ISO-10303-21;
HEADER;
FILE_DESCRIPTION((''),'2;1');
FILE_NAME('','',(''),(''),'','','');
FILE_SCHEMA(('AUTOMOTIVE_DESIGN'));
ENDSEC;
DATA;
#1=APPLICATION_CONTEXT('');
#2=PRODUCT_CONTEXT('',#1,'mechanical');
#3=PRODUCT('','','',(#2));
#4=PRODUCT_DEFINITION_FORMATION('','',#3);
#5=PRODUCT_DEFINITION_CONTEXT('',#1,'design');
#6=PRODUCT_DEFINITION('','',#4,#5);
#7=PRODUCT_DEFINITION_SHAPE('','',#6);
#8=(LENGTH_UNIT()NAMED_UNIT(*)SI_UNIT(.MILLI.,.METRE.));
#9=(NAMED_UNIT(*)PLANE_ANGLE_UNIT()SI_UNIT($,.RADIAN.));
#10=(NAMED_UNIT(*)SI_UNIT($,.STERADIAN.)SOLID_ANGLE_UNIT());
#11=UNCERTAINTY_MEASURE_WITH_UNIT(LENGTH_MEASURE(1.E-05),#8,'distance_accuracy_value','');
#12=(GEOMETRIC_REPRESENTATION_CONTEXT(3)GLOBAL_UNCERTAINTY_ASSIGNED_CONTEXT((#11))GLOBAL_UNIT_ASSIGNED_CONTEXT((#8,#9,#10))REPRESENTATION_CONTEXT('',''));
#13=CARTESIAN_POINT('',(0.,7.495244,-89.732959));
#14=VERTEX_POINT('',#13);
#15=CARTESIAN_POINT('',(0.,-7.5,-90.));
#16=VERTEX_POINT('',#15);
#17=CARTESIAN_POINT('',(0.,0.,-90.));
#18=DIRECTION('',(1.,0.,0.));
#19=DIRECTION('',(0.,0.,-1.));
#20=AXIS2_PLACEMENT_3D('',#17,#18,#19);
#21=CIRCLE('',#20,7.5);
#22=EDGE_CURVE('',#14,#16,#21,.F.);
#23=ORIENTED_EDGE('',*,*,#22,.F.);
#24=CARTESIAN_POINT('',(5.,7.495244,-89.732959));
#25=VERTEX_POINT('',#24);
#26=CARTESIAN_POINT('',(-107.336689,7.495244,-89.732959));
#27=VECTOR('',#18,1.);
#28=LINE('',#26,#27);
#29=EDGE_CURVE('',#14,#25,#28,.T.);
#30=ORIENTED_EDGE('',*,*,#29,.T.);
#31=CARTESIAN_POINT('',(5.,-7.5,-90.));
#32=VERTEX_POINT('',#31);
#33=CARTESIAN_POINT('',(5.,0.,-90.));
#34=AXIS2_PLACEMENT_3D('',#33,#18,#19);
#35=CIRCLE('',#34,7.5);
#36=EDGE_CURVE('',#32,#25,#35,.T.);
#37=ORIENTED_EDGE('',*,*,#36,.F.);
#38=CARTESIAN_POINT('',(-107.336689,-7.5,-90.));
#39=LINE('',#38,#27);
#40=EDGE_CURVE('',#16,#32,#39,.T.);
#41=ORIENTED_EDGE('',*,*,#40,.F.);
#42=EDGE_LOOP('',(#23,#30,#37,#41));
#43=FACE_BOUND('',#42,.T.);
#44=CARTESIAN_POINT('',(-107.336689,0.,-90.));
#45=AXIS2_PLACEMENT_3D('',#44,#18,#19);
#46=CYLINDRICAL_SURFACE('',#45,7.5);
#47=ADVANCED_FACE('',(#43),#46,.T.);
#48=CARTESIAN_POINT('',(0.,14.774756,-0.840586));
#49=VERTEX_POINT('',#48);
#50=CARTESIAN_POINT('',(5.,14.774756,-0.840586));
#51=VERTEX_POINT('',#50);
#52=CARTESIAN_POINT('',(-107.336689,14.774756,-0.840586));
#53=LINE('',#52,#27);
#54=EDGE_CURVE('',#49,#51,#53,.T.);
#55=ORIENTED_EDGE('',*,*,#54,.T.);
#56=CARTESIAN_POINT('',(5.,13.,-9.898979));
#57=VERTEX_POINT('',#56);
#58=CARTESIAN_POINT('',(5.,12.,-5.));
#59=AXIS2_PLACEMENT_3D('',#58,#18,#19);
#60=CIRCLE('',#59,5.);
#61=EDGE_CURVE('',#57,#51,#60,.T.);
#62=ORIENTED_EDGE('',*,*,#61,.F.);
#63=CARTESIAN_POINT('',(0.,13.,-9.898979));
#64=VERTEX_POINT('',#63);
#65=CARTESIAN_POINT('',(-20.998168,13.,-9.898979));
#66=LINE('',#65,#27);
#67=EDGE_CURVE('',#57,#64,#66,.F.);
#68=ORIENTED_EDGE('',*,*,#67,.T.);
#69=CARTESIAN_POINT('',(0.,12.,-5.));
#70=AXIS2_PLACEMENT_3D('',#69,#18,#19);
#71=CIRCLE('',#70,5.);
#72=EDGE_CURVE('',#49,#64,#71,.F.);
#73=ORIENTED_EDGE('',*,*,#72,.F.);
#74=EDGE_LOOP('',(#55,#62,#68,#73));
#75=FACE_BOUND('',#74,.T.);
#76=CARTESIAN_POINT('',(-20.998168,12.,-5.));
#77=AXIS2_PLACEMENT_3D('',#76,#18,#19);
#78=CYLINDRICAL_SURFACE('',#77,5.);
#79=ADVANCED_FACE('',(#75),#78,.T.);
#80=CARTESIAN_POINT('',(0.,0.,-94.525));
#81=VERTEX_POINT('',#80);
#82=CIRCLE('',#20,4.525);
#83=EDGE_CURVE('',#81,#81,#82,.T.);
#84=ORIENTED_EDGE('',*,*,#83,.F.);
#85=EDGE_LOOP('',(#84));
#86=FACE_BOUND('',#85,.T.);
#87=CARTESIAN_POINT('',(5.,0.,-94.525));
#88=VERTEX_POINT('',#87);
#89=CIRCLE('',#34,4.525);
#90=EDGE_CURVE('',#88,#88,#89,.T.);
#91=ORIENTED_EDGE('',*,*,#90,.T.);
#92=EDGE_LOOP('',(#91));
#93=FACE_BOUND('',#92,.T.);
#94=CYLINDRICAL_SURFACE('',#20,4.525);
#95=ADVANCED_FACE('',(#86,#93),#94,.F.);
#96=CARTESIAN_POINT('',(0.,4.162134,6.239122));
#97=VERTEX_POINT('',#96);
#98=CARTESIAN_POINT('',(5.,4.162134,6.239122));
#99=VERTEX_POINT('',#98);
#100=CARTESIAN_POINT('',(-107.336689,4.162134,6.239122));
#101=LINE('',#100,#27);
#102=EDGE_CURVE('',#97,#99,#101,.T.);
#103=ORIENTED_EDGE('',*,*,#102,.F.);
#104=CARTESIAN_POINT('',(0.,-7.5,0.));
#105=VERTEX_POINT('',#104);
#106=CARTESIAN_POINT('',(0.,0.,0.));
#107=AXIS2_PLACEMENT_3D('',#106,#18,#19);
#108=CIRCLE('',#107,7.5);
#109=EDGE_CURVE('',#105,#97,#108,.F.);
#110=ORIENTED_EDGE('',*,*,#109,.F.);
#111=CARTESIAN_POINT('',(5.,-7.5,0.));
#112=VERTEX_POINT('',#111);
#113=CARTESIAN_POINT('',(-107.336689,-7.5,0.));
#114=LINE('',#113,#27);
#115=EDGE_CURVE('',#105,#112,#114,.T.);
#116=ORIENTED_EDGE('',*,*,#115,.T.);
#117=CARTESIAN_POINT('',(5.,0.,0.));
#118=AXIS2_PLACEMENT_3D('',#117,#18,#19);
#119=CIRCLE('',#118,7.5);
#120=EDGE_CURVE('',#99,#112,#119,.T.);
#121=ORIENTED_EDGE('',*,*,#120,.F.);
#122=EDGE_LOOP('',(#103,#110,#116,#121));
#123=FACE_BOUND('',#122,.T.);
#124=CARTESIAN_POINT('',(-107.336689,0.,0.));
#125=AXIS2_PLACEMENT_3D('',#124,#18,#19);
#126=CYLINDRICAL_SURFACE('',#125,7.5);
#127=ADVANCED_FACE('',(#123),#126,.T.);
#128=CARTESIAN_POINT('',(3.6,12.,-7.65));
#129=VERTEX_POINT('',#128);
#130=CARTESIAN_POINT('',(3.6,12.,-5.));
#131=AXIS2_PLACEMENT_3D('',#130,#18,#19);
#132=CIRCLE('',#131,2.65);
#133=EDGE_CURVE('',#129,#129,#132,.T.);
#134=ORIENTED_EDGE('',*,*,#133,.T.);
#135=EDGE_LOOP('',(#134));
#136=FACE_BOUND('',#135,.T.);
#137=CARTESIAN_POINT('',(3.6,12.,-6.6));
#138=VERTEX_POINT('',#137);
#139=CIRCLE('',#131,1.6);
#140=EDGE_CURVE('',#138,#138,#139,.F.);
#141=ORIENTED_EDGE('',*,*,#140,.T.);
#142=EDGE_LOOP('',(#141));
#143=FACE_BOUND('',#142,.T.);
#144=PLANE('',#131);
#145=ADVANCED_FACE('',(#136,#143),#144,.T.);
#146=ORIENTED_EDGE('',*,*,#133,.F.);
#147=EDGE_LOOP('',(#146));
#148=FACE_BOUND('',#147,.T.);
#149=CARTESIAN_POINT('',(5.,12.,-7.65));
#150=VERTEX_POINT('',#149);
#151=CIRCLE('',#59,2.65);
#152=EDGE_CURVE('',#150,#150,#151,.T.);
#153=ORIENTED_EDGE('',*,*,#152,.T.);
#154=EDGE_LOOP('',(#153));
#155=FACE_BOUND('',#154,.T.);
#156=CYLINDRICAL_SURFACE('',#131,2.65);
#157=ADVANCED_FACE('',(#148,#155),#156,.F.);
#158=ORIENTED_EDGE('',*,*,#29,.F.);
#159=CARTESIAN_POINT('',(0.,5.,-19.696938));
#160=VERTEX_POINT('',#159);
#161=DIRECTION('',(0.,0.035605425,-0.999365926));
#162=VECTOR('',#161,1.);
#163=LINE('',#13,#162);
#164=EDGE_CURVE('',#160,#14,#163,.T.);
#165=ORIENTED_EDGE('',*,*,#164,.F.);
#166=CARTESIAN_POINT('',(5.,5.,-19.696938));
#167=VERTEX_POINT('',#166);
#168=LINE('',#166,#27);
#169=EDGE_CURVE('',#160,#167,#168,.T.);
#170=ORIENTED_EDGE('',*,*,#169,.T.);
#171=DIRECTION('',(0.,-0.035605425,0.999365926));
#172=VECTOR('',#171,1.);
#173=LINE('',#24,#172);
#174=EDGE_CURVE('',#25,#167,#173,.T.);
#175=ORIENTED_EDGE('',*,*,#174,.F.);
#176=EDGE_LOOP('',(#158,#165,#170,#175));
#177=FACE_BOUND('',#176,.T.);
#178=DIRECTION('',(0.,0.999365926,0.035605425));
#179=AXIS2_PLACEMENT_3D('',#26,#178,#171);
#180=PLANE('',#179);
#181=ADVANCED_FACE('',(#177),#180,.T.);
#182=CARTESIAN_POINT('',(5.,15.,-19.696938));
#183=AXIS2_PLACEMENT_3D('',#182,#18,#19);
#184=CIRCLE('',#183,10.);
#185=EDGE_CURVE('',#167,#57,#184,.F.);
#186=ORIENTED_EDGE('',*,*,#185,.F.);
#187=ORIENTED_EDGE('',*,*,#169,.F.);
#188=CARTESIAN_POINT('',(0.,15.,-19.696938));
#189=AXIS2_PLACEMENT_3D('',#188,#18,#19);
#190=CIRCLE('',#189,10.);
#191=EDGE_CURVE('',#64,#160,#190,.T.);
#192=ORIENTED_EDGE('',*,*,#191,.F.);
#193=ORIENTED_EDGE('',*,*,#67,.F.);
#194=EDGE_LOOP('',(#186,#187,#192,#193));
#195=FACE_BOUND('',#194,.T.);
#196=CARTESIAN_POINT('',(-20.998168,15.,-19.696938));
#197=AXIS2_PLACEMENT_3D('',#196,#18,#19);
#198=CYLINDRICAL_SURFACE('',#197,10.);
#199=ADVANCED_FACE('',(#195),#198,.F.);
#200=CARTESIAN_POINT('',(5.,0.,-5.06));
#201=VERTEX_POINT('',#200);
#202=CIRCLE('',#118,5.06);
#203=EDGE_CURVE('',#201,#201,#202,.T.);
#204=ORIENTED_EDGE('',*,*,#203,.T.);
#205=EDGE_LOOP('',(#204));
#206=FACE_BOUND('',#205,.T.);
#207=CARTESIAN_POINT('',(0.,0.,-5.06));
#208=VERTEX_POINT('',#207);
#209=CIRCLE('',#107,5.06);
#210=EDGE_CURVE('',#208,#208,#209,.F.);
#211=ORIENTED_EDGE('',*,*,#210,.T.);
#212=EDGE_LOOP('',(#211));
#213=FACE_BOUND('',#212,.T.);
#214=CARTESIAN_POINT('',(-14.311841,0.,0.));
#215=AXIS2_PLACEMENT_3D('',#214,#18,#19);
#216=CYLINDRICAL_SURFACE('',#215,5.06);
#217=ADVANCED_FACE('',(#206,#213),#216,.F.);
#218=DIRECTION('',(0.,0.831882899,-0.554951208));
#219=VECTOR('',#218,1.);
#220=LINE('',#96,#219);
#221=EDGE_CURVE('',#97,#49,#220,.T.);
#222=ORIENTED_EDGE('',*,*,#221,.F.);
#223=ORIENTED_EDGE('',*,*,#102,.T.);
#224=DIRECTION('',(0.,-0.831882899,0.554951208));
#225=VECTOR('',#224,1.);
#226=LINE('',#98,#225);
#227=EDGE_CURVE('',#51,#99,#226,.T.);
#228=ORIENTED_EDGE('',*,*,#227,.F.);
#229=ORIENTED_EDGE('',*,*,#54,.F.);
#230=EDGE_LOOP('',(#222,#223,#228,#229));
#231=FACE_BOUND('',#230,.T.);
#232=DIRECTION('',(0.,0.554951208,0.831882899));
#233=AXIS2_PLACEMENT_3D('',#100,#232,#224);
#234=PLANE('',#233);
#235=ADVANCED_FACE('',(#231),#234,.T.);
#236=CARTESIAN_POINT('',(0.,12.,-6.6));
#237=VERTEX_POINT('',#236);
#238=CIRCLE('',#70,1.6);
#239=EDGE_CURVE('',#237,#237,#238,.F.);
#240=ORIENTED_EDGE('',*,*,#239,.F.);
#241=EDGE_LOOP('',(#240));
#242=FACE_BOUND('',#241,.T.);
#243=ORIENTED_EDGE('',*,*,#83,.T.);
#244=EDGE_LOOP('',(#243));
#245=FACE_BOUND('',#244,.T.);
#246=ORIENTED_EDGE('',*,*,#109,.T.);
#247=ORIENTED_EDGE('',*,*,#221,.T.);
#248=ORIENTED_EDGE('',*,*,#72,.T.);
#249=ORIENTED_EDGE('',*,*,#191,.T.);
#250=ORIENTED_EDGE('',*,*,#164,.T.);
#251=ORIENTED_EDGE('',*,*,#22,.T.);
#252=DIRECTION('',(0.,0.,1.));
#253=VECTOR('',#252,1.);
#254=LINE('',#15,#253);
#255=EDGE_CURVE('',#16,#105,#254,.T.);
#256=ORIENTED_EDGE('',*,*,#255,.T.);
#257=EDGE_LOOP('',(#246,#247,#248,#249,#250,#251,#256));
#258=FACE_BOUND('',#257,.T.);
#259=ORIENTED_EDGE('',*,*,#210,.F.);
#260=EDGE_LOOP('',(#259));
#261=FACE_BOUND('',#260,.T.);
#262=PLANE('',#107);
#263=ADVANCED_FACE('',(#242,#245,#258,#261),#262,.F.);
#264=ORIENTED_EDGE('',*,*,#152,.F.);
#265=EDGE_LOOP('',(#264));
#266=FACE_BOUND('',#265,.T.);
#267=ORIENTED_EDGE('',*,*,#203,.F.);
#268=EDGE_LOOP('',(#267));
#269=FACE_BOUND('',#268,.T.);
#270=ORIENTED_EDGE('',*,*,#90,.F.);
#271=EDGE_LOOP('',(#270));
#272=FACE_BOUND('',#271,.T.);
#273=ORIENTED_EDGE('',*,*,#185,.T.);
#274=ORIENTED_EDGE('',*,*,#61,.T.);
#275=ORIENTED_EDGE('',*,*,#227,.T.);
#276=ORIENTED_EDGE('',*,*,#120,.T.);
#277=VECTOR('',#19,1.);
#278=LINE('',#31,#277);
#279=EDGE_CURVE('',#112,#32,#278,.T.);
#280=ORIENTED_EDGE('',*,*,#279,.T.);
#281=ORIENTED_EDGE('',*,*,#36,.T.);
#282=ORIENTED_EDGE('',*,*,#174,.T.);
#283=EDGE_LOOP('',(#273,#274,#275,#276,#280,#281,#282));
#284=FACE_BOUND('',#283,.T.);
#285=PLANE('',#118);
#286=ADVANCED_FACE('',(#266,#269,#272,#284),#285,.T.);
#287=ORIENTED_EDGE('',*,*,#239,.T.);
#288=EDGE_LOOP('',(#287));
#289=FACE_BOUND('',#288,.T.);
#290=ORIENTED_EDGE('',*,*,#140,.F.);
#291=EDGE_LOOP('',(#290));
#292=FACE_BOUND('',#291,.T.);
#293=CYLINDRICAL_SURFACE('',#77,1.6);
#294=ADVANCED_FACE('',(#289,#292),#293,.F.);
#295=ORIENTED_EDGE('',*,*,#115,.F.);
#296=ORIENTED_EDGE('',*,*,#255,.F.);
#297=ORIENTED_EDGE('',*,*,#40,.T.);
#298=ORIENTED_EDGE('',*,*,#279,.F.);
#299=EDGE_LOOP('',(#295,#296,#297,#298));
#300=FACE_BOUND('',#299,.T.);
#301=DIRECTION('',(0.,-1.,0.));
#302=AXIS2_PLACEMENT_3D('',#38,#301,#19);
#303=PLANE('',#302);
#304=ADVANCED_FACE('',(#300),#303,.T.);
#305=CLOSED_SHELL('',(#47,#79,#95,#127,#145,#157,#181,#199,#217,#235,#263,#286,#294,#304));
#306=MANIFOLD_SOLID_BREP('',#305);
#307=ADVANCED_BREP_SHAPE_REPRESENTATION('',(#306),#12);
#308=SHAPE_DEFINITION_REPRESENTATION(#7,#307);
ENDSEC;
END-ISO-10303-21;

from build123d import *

# Parameters (mm, degrees)
SKETCH_1_R          = 2.5
SKETCH_1_R_2        = 2.05
EXTRUDE_1_DEPTH     = 5
SKETCH_2_R          = 2.5
EXTRUDE_2_DEPTH     = 5
FILLET_1_R          = 6
FILLET_2_R          = 10
SKETCH_3_R          = 1.6
EXTRUDE_3_DEPTH     = 5
FILLET_3_R          = 10
SKETCH_4_W          = 47.859617289
SKETCH_4_H          = 15
CUT_EXTRUDE_1_DEPTH = 6.0000001
SKETCH_6_R          = 2.65
CUT_EXTRUDE_2_DEPTH = 1.4
EXTRUDE_5_DEPTH     = 5
SKETCH_11_R         = 4.525
CUT_EXTRUDE_4_DEPTH = 6.0000001
SKETCH_13_R         = 5.06
CUT_EXTRUDE_5_DEPTH = 5


with BuildPart() as part:
    # 草图1 → 凸台-拉伸1 (new body)
    with BuildSketch(Plane(origin=(0, 0, 0), x_dir=(0, 0, -1), z_dir=(1, 0, 0))):
        with BuildLine():
            Line((0, 5), (90, 5))
            ThreePointArc((90, 5), (95, 0), (90, -5))
            Line((90, -5), (0, -5))
            ThreePointArc((0, -5), (-5, 0), (0, 5))
        make_face()
        Circle(SKETCH_1_R, mode=Mode.SUBTRACT)
        with Locations((90, 0)):
            Circle(SKETCH_1_R_2, mode=Mode.SUBTRACT)
    extrude(amount=EXTRUDE_1_DEPTH)

    # 草图2 → 凸台-拉伸2 (add)
    with BuildSketch(Plane(origin=(5, 0, 0), x_dir=(0, 0, -1), z_dir=(1, 0, 0))):
        with BuildLine():
            Line((49.91480075, 7.043176995), (48.200371687, 5))
            Line((48.200371687, 5), (36.190624625, 5))
            Line((36.190624625, 5), (42.867191873, 12.956823005))
            ThreePointArc((42.867191873, 12.956823005), (49.347819316, 13.523804438), (49.91480075, 7.043176995))
        make_face()
        with Locations((46.390996312, 10)):
            Circle(SKETCH_2_R, mode=Mode.SUBTRACT)
    extrude(amount=-EXTRUDE_2_DEPTH)

    # 圆角1
    fillet_1_edges = [part.edges().sort_by_distance(p)[0] for p in [
        (2.5, 5, -48.200371687),
    ]]
    fillet(fillet_1_edges, radius=FILLET_1_R)

    # 圆角2
    fillet_2_edges = [part.edges().sort_by_distance(p)[0] for p in [
        (2.5, 5, -36.190624625),
    ]]
    fillet(fillet_2_edges, radius=FILLET_2_R)

    # 草图3 → 凸台-拉伸3 (add)
    with BuildSketch(Plane(origin=(5, 0, 0), x_dir=(0, 0, -1), z_dir=(1, 0, 0))):
        with BuildLine():
            Line((-4.615384615, 1.923076923), (0.384615385, 13.923076923))
            ThreePointArc((0.384615385, 13.923076923), (6.923076923, 16.615384615), (9.615384615, 10.076923077))
            Line((9.615384615, 10.076923077), (7.5, 5))
            Line((7.5, 5), (0, 5))
            ThreePointArc((0, 5), (-2.773500981, 4.160251472), (-4.615384615, 1.923076923))
        make_face()
        with Locations((5, 12)):
            Circle(SKETCH_3_R, mode=Mode.SUBTRACT)
    extrude(amount=-EXTRUDE_3_DEPTH)

    # 圆角3
    fillet_3_edges = [part.edges().sort_by_distance(p)[0] for p in [
        (2.5, 5, -7.5),
    ]]
    fillet(fillet_3_edges, radius=FILLET_3_R)

    # 草图4 → 切除-拉伸1 (cut, through all)
    with BuildSketch(Plane(origin=(5, 0, 0), x_dir=(0, 0, -1), z_dir=(1, 0, 0))):
        with Locations((49.542051895, 12.5)):
            Rectangle(SKETCH_4_W, SKETCH_4_H)
    extrude(amount=-CUT_EXTRUDE_1_DEPTH, mode=Mode.SUBTRACT)

    # 草图6 → 切除-拉伸2 (cut)
    with BuildSketch(Plane(origin=(5, 0, 0), x_dir=(0, 0, -1), z_dir=(1, 0, 0))):
        with Locations((5, 12)):
            Circle(SKETCH_6_R)
    extrude(amount=-CUT_EXTRUDE_2_DEPTH, mode=Mode.SUBTRACT)

    # 草图10 → 凸台-拉伸5 (add)
    with BuildSketch(Plane(origin=(5, 0, 0), x_dir=(0, 0, -1), z_dir=(1, 0, 0))):
        with BuildLine():
            Line((89.732959314, 7.495244444), (19.696938457, 5))
            Line((19.696938457, 5), (90, 5))
            ThreePointArc((90, 5), (95, 0), (90, -5))
            Line((90, -5), (0, -5))
            ThreePointArc((0, -5), (-4.160251472, -2.773500981), (-4.615384615, 1.923076923))
            Line((-4.615384615, 1.923076923), (0.384615385, 13.923076923))
            ThreePointArc((0.384615385, 13.923076923), (0.591982965, 14.359954623), (0.840585507, 14.774756039))
            Line((0.840585507, 14.774756039), (-6.23912174, 4.162134058))
            ThreePointArc((-6.23912174, 4.162134058), (-6.613093279, -3.537936868), (0, -7.5))
            Line((0, -7.5), (90, -7.5))
            ThreePointArc((90, -7.5), (97.498811017, 0.133541513), (89.732959314, 7.495244444))
        make_face()
    extrude(amount=-EXTRUDE_5_DEPTH)

    # 草图11 → 切除-拉伸4 (cut, through all)
    with BuildSketch(Plane(origin=(5, 0, 0), x_dir=(0, 0, -1), z_dir=(1, 0, 0))):
        with Locations((90, 0)):
            Circle(SKETCH_11_R)
    extrude(amount=-CUT_EXTRUDE_4_DEPTH, mode=Mode.SUBTRACT)

    # 草图13 → 切除-拉伸5 (cut)
    with BuildSketch(Plane(origin=(5, 0, 0), x_dir=(0, 0, -1), z_dir=(1, 0, 0))):
        Circle(SKETCH_13_R)
    extrude(amount=-CUT_EXTRUDE_5_DEPTH, mode=Mode.SUBTRACT)


solid = part.part
